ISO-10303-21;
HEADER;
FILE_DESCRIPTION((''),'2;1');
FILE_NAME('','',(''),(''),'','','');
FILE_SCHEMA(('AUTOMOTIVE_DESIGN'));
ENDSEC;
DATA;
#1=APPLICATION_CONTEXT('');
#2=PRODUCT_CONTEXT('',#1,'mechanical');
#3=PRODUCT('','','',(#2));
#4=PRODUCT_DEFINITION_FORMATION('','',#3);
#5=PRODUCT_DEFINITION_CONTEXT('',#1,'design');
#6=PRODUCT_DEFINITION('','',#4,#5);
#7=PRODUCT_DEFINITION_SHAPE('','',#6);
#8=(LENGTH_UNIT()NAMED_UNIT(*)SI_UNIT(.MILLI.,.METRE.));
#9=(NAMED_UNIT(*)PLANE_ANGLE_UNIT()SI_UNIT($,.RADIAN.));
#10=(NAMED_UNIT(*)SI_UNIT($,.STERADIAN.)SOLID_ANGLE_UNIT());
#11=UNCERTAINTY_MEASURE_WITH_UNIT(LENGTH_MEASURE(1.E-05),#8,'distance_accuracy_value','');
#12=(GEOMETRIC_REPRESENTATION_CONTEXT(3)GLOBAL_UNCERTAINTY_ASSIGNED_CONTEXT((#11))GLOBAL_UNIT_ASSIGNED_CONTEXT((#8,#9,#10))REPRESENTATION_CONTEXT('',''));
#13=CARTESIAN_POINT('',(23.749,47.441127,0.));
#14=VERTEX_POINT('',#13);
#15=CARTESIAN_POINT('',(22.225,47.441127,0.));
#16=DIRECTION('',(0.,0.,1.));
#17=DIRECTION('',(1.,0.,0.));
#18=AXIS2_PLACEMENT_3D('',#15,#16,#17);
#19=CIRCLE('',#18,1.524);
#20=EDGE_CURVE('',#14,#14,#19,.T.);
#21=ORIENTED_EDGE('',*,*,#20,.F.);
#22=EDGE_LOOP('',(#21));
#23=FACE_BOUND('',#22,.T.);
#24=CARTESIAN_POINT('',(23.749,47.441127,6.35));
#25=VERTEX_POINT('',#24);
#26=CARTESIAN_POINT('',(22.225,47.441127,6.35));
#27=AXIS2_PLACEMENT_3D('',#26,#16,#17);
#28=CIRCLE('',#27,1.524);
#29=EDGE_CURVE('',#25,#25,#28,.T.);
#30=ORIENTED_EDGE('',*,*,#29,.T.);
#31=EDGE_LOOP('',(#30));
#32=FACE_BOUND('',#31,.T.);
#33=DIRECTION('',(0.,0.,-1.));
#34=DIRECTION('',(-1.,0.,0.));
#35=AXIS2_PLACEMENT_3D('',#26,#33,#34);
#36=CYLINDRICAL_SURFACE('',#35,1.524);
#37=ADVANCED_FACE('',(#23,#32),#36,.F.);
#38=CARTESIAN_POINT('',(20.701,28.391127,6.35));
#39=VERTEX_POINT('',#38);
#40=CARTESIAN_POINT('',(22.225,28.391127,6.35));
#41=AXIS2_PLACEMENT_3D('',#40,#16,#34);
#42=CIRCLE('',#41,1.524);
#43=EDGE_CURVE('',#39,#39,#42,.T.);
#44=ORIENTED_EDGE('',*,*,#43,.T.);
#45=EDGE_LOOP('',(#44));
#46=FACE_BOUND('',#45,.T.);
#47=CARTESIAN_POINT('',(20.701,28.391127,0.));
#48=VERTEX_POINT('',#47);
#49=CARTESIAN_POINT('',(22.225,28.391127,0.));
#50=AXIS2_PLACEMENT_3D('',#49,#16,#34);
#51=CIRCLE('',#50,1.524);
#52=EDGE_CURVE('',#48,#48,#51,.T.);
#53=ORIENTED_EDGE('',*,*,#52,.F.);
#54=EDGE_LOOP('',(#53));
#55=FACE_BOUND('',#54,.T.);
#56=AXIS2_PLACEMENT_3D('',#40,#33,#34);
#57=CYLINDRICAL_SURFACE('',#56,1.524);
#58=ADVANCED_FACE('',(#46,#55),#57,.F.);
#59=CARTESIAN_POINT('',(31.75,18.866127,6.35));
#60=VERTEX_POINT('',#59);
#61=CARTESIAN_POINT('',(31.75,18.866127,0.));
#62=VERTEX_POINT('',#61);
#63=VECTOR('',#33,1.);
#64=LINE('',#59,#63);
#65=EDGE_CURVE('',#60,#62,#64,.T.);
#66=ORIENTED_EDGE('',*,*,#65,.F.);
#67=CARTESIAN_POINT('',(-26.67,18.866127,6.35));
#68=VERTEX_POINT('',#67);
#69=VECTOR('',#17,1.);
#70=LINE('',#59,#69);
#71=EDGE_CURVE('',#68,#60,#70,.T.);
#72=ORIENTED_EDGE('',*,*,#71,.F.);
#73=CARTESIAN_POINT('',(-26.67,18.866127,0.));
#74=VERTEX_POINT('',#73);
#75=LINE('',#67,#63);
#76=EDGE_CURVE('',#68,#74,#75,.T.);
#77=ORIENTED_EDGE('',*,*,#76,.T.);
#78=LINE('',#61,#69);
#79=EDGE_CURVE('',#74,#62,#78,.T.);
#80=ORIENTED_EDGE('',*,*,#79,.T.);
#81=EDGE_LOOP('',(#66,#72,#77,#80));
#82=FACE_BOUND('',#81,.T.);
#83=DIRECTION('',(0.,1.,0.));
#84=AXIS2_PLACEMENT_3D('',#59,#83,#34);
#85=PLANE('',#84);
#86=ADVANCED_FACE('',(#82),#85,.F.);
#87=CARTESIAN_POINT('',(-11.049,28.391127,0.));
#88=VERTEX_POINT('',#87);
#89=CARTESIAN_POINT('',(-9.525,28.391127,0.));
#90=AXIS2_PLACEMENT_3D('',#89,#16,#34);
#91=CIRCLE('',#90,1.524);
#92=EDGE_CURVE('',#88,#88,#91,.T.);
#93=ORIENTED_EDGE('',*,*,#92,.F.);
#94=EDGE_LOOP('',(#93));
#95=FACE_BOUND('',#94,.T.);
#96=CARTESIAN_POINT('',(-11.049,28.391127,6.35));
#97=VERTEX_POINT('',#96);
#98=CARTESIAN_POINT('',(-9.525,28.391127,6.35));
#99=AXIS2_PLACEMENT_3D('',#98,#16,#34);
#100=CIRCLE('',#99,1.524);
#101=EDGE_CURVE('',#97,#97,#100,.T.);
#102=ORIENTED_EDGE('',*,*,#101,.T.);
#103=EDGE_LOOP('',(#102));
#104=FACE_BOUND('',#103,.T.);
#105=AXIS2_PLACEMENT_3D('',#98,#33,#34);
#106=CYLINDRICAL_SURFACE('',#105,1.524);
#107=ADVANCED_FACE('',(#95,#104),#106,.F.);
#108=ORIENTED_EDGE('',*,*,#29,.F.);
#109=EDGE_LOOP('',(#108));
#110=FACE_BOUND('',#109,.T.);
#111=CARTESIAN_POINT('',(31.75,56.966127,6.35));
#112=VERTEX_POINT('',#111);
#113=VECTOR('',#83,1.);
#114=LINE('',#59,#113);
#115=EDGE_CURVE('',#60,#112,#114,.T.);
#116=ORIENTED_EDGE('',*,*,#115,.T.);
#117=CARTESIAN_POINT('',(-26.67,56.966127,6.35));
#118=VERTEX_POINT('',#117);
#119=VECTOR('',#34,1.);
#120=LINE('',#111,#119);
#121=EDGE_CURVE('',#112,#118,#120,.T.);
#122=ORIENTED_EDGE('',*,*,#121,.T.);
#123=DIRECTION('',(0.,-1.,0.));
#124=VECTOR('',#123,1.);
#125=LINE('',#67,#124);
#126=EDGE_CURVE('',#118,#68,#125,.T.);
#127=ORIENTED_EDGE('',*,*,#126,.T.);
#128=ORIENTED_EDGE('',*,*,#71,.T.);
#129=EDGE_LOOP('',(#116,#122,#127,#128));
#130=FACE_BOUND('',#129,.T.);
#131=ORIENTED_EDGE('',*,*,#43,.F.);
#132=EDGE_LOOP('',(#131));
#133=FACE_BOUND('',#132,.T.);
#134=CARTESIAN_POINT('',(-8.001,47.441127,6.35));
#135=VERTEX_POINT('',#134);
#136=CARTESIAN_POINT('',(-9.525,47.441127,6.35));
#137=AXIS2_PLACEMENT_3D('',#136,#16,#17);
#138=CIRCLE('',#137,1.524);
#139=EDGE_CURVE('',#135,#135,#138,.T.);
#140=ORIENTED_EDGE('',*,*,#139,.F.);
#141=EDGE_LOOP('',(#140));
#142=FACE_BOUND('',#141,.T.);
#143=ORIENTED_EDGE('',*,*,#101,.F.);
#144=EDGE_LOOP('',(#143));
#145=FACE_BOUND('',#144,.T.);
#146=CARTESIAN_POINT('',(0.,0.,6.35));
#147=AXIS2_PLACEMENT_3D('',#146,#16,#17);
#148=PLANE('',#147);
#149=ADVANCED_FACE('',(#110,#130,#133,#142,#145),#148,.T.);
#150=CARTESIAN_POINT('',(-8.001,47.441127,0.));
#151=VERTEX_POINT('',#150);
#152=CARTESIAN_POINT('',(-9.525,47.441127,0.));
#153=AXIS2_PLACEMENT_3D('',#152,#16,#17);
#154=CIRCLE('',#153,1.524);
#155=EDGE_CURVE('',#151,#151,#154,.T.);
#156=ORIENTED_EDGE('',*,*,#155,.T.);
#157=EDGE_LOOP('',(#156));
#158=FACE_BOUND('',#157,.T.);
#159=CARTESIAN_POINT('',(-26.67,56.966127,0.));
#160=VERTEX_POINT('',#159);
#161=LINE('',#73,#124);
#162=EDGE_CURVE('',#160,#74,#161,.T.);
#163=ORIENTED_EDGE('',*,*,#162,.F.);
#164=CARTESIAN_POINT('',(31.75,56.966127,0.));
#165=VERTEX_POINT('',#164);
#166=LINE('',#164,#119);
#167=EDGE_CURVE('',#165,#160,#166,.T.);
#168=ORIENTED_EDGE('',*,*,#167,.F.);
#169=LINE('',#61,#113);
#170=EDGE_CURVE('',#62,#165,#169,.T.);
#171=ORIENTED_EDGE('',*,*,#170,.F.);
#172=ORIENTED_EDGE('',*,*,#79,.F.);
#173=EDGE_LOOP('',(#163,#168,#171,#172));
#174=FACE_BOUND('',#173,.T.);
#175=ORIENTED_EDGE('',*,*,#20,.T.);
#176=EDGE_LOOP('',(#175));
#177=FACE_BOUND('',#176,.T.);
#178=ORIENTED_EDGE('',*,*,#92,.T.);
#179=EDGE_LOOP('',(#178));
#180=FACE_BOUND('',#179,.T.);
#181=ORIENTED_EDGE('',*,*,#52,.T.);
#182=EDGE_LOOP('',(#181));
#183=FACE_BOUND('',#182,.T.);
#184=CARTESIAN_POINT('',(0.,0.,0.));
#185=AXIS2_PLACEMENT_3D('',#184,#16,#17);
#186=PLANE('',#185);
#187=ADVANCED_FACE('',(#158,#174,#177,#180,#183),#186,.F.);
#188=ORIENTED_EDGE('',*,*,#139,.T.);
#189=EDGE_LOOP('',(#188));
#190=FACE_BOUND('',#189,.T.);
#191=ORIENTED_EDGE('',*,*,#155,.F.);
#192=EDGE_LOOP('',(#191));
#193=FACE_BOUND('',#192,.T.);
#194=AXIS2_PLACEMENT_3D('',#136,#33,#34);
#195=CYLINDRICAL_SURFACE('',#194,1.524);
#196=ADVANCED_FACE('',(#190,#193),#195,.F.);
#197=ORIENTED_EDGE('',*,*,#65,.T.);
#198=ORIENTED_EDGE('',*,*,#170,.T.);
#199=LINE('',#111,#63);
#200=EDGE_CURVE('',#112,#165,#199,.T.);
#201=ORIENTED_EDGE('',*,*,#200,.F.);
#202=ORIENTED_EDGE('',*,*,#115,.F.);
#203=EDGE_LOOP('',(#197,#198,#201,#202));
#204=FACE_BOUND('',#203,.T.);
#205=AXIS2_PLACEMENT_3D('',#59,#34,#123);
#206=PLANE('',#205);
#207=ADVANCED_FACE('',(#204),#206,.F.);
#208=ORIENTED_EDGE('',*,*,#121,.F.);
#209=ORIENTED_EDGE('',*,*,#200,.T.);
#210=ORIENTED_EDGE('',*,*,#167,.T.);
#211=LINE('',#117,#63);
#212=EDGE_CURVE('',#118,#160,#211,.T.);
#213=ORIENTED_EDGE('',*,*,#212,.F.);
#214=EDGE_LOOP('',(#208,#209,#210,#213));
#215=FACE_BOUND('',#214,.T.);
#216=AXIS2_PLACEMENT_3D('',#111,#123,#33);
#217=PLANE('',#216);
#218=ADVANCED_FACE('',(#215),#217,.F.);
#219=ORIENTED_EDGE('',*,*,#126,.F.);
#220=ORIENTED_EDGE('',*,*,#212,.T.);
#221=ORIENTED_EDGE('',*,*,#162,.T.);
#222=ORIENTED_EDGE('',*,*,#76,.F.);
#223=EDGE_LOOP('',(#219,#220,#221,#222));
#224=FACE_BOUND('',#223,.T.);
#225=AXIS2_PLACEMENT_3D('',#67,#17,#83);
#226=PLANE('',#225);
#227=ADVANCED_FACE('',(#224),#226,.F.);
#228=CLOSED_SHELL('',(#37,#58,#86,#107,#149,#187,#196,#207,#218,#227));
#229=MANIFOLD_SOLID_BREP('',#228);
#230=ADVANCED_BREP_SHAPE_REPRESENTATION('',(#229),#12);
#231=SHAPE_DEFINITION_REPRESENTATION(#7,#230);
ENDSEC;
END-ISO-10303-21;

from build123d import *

# Parameters (mm, degrees)
SKETCH1_W           = 58.42
SKETCH1_H           = 38.1
SKETCH1_R           = 1.524
BOSS_EXTRUDE1_DEPTH = 6.35


with BuildPart() as part:
    # Sketch1 → Boss-Extrude1 (new body)
    with BuildSketch(Plane.XY):
        with Locations((2.54, 37.916126629)):
            Rectangle(SKETCH1_W, SKETCH1_H)
        with Locations((22.225, 47.441126629)):
            Circle(SKETCH1_R, mode=Mode.SUBTRACT)
        with Locations((22.225, 28.391126629)):
            Circle(SKETCH1_R, mode=Mode.SUBTRACT)
        with Locations((-9.525, 47.441126629)):
            Circle(SKETCH1_R, mode=Mode.SUBTRACT)
        with Locations((-9.525, 28.391126629)):
            Circle(SKETCH1_R, mode=Mode.SUBTRACT)
    extrude(amount=BOSS_EXTRUDE1_DEPTH)


solid = part.part
